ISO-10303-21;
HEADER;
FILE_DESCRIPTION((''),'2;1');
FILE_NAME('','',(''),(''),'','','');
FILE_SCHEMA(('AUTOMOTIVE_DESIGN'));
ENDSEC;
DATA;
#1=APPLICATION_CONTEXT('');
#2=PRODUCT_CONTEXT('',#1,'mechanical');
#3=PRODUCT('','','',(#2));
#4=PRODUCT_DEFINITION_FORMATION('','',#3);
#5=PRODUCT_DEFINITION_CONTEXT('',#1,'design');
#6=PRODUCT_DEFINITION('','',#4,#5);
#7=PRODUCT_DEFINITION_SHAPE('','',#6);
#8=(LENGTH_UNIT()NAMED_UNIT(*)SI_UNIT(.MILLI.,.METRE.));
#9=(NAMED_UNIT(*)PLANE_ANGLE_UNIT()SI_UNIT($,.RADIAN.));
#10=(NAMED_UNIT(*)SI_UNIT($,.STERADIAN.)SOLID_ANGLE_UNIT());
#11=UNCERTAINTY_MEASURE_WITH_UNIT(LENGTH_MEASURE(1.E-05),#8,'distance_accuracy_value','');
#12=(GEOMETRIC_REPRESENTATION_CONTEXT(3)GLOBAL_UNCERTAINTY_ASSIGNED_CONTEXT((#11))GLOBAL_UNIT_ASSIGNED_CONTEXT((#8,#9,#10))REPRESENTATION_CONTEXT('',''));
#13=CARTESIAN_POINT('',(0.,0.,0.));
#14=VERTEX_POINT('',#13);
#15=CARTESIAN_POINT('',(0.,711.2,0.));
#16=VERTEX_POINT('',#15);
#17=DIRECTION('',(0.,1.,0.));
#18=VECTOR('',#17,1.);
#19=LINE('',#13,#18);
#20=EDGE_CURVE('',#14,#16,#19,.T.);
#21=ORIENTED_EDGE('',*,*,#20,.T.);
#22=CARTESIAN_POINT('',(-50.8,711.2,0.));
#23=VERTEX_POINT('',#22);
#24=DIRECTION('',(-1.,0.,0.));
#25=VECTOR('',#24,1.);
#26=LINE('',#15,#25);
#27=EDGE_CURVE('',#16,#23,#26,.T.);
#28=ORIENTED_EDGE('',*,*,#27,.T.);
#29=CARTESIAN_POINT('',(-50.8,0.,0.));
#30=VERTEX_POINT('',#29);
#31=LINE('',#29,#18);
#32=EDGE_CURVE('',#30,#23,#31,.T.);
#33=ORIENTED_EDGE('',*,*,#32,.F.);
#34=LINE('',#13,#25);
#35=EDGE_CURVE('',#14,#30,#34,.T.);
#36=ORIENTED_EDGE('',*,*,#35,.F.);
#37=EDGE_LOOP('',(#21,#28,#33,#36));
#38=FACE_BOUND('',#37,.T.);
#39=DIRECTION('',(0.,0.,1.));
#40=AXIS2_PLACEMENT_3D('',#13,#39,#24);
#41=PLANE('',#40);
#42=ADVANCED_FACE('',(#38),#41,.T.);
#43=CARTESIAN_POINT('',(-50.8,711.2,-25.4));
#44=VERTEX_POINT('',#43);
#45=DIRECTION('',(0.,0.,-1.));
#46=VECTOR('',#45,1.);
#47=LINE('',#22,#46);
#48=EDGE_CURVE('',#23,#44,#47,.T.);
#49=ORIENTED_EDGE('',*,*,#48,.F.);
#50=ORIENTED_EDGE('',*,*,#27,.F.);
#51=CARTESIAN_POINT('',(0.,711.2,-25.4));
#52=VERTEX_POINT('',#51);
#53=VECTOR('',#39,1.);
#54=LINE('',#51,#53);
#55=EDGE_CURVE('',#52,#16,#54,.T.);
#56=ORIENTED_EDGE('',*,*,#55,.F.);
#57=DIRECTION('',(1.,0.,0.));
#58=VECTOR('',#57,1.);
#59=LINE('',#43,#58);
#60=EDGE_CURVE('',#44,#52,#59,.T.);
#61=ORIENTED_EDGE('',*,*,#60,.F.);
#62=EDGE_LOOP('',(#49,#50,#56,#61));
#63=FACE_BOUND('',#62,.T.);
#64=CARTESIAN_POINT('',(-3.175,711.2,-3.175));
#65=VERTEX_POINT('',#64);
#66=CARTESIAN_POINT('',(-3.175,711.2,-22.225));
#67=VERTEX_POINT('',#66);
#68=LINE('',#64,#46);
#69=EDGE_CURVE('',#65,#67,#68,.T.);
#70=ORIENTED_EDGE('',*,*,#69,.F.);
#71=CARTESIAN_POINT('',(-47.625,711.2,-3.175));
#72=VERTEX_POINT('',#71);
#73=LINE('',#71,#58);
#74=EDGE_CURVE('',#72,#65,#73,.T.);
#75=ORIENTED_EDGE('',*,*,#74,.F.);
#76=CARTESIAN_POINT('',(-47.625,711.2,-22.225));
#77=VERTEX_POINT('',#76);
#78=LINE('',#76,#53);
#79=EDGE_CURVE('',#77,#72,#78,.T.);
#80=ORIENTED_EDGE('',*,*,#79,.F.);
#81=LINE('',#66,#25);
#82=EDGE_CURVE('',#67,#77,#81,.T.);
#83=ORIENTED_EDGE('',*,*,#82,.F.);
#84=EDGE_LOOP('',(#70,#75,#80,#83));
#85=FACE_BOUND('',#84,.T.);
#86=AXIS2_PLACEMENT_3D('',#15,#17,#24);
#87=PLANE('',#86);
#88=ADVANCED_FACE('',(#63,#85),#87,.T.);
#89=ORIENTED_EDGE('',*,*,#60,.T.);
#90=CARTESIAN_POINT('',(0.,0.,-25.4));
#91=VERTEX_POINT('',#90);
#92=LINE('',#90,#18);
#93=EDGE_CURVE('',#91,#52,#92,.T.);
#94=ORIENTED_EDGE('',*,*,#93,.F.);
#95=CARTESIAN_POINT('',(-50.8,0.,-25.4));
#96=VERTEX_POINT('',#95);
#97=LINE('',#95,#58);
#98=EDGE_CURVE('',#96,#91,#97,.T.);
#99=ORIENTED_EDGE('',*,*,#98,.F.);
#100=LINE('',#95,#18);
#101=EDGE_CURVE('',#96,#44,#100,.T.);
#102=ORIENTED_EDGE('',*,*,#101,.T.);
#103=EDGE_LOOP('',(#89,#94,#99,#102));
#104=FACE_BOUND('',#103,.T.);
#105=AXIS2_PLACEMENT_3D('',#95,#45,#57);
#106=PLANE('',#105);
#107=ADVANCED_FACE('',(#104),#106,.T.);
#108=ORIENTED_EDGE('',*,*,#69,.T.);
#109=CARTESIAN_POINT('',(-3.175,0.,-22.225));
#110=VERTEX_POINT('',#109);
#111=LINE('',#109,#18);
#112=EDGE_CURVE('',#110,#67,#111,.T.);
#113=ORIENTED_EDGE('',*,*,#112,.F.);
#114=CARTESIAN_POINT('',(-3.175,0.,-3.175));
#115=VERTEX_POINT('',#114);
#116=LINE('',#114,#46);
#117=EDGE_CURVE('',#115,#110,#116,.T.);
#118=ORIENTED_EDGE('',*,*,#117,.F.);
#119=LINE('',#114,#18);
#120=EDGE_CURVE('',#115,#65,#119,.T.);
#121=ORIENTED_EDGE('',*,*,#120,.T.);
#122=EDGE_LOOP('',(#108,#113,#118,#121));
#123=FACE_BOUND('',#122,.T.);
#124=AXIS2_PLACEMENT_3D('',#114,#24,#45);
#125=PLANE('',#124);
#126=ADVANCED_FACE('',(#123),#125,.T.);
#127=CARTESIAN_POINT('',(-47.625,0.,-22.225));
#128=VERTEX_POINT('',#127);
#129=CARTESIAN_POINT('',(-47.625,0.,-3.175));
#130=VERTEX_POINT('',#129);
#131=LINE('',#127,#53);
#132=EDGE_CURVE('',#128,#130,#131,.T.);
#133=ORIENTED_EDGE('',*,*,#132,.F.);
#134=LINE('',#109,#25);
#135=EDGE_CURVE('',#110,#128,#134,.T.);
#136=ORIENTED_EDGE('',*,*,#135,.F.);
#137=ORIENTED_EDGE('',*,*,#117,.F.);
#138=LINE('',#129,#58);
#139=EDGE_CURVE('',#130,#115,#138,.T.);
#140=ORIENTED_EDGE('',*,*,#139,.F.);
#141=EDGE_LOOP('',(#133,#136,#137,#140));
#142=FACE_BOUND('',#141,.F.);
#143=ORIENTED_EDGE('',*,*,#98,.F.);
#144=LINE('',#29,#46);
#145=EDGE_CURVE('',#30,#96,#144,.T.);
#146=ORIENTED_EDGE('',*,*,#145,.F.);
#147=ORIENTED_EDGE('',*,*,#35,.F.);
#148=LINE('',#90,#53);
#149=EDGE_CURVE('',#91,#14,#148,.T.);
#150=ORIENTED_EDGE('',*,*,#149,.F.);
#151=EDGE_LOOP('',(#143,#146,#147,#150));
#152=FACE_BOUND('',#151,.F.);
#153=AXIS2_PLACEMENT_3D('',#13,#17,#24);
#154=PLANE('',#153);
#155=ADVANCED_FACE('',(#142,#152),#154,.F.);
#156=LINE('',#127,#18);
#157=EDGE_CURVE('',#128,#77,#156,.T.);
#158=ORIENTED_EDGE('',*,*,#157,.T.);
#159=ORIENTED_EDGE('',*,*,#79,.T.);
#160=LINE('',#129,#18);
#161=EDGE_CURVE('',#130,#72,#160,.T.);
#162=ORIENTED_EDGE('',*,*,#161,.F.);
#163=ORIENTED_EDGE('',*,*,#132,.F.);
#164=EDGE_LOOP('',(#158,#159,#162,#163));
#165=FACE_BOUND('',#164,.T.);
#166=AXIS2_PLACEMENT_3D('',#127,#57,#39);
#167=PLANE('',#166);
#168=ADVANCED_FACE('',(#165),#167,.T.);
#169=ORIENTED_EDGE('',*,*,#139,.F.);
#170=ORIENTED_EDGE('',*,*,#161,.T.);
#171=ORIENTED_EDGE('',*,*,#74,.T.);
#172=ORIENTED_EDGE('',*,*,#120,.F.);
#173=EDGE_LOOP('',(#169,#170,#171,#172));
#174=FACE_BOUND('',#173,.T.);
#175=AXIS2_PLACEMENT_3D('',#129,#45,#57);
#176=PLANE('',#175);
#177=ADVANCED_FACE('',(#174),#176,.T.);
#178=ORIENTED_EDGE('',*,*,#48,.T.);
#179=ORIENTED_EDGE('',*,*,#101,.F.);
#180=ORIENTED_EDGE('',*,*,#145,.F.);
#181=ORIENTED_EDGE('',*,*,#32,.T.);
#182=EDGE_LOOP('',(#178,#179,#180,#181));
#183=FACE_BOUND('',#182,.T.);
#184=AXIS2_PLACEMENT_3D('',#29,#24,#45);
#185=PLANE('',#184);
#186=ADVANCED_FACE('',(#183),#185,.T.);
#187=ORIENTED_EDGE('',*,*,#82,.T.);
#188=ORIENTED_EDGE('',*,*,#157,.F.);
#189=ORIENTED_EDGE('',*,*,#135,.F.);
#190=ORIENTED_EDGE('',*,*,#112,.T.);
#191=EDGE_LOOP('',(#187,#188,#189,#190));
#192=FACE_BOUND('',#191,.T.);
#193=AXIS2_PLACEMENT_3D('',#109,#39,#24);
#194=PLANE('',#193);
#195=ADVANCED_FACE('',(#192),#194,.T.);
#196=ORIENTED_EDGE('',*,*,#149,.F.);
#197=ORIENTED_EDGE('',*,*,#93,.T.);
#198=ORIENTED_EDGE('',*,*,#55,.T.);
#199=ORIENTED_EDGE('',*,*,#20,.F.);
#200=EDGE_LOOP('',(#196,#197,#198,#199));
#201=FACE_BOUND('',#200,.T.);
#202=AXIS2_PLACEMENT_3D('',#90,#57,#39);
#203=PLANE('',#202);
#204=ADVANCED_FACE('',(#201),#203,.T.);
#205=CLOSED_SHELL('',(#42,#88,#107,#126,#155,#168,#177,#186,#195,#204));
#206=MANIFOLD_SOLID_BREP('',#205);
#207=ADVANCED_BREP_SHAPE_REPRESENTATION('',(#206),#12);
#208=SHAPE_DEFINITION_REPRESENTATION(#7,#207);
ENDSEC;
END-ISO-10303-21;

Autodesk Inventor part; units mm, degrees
ref_plane "YZ Plane" through (0, 0, 0) normal (1, 0, 0) x (0, 1, 0)
ref_plane "XZ Plane" through (0, 0, 0) normal (0, 1, 0) x (-1, 0, 0)
ref_plane "XY Plane" through (0, 0, 0) normal (0, 0, 1) x (1, 0, 0)
sketch "Sketch1" plane through (0, 0, 0) normal (0, 1, 0) x (-1, 0, 0)
  line L0 (0, 0) -> (50.8, 0)
  line L1 (50.8, 0) -> (50.8, -25.4)
  line L2 (50.8, -25.4) -> (0, -25.4)
  line L3 (0, -25.4) -> (0, 0)
  line L4 (47.625, -3.175) -> (3.175, -3.175)
  line L5 (3.175, -3.175) -> (3.175, -22.225)
  line L6 (3.175, -22.225) -> (47.625, -22.225)
  line L7 (47.625, -22.225) -> (47.625, -3.175)
  dimension "d0" = 50.8
  dimension "d1" = 25.4
  dimension "d2" = 3.175
extrude "Extrusion1" add sketch "Sketch1" along normal blind 711.2
properties part number "1x2x28"
